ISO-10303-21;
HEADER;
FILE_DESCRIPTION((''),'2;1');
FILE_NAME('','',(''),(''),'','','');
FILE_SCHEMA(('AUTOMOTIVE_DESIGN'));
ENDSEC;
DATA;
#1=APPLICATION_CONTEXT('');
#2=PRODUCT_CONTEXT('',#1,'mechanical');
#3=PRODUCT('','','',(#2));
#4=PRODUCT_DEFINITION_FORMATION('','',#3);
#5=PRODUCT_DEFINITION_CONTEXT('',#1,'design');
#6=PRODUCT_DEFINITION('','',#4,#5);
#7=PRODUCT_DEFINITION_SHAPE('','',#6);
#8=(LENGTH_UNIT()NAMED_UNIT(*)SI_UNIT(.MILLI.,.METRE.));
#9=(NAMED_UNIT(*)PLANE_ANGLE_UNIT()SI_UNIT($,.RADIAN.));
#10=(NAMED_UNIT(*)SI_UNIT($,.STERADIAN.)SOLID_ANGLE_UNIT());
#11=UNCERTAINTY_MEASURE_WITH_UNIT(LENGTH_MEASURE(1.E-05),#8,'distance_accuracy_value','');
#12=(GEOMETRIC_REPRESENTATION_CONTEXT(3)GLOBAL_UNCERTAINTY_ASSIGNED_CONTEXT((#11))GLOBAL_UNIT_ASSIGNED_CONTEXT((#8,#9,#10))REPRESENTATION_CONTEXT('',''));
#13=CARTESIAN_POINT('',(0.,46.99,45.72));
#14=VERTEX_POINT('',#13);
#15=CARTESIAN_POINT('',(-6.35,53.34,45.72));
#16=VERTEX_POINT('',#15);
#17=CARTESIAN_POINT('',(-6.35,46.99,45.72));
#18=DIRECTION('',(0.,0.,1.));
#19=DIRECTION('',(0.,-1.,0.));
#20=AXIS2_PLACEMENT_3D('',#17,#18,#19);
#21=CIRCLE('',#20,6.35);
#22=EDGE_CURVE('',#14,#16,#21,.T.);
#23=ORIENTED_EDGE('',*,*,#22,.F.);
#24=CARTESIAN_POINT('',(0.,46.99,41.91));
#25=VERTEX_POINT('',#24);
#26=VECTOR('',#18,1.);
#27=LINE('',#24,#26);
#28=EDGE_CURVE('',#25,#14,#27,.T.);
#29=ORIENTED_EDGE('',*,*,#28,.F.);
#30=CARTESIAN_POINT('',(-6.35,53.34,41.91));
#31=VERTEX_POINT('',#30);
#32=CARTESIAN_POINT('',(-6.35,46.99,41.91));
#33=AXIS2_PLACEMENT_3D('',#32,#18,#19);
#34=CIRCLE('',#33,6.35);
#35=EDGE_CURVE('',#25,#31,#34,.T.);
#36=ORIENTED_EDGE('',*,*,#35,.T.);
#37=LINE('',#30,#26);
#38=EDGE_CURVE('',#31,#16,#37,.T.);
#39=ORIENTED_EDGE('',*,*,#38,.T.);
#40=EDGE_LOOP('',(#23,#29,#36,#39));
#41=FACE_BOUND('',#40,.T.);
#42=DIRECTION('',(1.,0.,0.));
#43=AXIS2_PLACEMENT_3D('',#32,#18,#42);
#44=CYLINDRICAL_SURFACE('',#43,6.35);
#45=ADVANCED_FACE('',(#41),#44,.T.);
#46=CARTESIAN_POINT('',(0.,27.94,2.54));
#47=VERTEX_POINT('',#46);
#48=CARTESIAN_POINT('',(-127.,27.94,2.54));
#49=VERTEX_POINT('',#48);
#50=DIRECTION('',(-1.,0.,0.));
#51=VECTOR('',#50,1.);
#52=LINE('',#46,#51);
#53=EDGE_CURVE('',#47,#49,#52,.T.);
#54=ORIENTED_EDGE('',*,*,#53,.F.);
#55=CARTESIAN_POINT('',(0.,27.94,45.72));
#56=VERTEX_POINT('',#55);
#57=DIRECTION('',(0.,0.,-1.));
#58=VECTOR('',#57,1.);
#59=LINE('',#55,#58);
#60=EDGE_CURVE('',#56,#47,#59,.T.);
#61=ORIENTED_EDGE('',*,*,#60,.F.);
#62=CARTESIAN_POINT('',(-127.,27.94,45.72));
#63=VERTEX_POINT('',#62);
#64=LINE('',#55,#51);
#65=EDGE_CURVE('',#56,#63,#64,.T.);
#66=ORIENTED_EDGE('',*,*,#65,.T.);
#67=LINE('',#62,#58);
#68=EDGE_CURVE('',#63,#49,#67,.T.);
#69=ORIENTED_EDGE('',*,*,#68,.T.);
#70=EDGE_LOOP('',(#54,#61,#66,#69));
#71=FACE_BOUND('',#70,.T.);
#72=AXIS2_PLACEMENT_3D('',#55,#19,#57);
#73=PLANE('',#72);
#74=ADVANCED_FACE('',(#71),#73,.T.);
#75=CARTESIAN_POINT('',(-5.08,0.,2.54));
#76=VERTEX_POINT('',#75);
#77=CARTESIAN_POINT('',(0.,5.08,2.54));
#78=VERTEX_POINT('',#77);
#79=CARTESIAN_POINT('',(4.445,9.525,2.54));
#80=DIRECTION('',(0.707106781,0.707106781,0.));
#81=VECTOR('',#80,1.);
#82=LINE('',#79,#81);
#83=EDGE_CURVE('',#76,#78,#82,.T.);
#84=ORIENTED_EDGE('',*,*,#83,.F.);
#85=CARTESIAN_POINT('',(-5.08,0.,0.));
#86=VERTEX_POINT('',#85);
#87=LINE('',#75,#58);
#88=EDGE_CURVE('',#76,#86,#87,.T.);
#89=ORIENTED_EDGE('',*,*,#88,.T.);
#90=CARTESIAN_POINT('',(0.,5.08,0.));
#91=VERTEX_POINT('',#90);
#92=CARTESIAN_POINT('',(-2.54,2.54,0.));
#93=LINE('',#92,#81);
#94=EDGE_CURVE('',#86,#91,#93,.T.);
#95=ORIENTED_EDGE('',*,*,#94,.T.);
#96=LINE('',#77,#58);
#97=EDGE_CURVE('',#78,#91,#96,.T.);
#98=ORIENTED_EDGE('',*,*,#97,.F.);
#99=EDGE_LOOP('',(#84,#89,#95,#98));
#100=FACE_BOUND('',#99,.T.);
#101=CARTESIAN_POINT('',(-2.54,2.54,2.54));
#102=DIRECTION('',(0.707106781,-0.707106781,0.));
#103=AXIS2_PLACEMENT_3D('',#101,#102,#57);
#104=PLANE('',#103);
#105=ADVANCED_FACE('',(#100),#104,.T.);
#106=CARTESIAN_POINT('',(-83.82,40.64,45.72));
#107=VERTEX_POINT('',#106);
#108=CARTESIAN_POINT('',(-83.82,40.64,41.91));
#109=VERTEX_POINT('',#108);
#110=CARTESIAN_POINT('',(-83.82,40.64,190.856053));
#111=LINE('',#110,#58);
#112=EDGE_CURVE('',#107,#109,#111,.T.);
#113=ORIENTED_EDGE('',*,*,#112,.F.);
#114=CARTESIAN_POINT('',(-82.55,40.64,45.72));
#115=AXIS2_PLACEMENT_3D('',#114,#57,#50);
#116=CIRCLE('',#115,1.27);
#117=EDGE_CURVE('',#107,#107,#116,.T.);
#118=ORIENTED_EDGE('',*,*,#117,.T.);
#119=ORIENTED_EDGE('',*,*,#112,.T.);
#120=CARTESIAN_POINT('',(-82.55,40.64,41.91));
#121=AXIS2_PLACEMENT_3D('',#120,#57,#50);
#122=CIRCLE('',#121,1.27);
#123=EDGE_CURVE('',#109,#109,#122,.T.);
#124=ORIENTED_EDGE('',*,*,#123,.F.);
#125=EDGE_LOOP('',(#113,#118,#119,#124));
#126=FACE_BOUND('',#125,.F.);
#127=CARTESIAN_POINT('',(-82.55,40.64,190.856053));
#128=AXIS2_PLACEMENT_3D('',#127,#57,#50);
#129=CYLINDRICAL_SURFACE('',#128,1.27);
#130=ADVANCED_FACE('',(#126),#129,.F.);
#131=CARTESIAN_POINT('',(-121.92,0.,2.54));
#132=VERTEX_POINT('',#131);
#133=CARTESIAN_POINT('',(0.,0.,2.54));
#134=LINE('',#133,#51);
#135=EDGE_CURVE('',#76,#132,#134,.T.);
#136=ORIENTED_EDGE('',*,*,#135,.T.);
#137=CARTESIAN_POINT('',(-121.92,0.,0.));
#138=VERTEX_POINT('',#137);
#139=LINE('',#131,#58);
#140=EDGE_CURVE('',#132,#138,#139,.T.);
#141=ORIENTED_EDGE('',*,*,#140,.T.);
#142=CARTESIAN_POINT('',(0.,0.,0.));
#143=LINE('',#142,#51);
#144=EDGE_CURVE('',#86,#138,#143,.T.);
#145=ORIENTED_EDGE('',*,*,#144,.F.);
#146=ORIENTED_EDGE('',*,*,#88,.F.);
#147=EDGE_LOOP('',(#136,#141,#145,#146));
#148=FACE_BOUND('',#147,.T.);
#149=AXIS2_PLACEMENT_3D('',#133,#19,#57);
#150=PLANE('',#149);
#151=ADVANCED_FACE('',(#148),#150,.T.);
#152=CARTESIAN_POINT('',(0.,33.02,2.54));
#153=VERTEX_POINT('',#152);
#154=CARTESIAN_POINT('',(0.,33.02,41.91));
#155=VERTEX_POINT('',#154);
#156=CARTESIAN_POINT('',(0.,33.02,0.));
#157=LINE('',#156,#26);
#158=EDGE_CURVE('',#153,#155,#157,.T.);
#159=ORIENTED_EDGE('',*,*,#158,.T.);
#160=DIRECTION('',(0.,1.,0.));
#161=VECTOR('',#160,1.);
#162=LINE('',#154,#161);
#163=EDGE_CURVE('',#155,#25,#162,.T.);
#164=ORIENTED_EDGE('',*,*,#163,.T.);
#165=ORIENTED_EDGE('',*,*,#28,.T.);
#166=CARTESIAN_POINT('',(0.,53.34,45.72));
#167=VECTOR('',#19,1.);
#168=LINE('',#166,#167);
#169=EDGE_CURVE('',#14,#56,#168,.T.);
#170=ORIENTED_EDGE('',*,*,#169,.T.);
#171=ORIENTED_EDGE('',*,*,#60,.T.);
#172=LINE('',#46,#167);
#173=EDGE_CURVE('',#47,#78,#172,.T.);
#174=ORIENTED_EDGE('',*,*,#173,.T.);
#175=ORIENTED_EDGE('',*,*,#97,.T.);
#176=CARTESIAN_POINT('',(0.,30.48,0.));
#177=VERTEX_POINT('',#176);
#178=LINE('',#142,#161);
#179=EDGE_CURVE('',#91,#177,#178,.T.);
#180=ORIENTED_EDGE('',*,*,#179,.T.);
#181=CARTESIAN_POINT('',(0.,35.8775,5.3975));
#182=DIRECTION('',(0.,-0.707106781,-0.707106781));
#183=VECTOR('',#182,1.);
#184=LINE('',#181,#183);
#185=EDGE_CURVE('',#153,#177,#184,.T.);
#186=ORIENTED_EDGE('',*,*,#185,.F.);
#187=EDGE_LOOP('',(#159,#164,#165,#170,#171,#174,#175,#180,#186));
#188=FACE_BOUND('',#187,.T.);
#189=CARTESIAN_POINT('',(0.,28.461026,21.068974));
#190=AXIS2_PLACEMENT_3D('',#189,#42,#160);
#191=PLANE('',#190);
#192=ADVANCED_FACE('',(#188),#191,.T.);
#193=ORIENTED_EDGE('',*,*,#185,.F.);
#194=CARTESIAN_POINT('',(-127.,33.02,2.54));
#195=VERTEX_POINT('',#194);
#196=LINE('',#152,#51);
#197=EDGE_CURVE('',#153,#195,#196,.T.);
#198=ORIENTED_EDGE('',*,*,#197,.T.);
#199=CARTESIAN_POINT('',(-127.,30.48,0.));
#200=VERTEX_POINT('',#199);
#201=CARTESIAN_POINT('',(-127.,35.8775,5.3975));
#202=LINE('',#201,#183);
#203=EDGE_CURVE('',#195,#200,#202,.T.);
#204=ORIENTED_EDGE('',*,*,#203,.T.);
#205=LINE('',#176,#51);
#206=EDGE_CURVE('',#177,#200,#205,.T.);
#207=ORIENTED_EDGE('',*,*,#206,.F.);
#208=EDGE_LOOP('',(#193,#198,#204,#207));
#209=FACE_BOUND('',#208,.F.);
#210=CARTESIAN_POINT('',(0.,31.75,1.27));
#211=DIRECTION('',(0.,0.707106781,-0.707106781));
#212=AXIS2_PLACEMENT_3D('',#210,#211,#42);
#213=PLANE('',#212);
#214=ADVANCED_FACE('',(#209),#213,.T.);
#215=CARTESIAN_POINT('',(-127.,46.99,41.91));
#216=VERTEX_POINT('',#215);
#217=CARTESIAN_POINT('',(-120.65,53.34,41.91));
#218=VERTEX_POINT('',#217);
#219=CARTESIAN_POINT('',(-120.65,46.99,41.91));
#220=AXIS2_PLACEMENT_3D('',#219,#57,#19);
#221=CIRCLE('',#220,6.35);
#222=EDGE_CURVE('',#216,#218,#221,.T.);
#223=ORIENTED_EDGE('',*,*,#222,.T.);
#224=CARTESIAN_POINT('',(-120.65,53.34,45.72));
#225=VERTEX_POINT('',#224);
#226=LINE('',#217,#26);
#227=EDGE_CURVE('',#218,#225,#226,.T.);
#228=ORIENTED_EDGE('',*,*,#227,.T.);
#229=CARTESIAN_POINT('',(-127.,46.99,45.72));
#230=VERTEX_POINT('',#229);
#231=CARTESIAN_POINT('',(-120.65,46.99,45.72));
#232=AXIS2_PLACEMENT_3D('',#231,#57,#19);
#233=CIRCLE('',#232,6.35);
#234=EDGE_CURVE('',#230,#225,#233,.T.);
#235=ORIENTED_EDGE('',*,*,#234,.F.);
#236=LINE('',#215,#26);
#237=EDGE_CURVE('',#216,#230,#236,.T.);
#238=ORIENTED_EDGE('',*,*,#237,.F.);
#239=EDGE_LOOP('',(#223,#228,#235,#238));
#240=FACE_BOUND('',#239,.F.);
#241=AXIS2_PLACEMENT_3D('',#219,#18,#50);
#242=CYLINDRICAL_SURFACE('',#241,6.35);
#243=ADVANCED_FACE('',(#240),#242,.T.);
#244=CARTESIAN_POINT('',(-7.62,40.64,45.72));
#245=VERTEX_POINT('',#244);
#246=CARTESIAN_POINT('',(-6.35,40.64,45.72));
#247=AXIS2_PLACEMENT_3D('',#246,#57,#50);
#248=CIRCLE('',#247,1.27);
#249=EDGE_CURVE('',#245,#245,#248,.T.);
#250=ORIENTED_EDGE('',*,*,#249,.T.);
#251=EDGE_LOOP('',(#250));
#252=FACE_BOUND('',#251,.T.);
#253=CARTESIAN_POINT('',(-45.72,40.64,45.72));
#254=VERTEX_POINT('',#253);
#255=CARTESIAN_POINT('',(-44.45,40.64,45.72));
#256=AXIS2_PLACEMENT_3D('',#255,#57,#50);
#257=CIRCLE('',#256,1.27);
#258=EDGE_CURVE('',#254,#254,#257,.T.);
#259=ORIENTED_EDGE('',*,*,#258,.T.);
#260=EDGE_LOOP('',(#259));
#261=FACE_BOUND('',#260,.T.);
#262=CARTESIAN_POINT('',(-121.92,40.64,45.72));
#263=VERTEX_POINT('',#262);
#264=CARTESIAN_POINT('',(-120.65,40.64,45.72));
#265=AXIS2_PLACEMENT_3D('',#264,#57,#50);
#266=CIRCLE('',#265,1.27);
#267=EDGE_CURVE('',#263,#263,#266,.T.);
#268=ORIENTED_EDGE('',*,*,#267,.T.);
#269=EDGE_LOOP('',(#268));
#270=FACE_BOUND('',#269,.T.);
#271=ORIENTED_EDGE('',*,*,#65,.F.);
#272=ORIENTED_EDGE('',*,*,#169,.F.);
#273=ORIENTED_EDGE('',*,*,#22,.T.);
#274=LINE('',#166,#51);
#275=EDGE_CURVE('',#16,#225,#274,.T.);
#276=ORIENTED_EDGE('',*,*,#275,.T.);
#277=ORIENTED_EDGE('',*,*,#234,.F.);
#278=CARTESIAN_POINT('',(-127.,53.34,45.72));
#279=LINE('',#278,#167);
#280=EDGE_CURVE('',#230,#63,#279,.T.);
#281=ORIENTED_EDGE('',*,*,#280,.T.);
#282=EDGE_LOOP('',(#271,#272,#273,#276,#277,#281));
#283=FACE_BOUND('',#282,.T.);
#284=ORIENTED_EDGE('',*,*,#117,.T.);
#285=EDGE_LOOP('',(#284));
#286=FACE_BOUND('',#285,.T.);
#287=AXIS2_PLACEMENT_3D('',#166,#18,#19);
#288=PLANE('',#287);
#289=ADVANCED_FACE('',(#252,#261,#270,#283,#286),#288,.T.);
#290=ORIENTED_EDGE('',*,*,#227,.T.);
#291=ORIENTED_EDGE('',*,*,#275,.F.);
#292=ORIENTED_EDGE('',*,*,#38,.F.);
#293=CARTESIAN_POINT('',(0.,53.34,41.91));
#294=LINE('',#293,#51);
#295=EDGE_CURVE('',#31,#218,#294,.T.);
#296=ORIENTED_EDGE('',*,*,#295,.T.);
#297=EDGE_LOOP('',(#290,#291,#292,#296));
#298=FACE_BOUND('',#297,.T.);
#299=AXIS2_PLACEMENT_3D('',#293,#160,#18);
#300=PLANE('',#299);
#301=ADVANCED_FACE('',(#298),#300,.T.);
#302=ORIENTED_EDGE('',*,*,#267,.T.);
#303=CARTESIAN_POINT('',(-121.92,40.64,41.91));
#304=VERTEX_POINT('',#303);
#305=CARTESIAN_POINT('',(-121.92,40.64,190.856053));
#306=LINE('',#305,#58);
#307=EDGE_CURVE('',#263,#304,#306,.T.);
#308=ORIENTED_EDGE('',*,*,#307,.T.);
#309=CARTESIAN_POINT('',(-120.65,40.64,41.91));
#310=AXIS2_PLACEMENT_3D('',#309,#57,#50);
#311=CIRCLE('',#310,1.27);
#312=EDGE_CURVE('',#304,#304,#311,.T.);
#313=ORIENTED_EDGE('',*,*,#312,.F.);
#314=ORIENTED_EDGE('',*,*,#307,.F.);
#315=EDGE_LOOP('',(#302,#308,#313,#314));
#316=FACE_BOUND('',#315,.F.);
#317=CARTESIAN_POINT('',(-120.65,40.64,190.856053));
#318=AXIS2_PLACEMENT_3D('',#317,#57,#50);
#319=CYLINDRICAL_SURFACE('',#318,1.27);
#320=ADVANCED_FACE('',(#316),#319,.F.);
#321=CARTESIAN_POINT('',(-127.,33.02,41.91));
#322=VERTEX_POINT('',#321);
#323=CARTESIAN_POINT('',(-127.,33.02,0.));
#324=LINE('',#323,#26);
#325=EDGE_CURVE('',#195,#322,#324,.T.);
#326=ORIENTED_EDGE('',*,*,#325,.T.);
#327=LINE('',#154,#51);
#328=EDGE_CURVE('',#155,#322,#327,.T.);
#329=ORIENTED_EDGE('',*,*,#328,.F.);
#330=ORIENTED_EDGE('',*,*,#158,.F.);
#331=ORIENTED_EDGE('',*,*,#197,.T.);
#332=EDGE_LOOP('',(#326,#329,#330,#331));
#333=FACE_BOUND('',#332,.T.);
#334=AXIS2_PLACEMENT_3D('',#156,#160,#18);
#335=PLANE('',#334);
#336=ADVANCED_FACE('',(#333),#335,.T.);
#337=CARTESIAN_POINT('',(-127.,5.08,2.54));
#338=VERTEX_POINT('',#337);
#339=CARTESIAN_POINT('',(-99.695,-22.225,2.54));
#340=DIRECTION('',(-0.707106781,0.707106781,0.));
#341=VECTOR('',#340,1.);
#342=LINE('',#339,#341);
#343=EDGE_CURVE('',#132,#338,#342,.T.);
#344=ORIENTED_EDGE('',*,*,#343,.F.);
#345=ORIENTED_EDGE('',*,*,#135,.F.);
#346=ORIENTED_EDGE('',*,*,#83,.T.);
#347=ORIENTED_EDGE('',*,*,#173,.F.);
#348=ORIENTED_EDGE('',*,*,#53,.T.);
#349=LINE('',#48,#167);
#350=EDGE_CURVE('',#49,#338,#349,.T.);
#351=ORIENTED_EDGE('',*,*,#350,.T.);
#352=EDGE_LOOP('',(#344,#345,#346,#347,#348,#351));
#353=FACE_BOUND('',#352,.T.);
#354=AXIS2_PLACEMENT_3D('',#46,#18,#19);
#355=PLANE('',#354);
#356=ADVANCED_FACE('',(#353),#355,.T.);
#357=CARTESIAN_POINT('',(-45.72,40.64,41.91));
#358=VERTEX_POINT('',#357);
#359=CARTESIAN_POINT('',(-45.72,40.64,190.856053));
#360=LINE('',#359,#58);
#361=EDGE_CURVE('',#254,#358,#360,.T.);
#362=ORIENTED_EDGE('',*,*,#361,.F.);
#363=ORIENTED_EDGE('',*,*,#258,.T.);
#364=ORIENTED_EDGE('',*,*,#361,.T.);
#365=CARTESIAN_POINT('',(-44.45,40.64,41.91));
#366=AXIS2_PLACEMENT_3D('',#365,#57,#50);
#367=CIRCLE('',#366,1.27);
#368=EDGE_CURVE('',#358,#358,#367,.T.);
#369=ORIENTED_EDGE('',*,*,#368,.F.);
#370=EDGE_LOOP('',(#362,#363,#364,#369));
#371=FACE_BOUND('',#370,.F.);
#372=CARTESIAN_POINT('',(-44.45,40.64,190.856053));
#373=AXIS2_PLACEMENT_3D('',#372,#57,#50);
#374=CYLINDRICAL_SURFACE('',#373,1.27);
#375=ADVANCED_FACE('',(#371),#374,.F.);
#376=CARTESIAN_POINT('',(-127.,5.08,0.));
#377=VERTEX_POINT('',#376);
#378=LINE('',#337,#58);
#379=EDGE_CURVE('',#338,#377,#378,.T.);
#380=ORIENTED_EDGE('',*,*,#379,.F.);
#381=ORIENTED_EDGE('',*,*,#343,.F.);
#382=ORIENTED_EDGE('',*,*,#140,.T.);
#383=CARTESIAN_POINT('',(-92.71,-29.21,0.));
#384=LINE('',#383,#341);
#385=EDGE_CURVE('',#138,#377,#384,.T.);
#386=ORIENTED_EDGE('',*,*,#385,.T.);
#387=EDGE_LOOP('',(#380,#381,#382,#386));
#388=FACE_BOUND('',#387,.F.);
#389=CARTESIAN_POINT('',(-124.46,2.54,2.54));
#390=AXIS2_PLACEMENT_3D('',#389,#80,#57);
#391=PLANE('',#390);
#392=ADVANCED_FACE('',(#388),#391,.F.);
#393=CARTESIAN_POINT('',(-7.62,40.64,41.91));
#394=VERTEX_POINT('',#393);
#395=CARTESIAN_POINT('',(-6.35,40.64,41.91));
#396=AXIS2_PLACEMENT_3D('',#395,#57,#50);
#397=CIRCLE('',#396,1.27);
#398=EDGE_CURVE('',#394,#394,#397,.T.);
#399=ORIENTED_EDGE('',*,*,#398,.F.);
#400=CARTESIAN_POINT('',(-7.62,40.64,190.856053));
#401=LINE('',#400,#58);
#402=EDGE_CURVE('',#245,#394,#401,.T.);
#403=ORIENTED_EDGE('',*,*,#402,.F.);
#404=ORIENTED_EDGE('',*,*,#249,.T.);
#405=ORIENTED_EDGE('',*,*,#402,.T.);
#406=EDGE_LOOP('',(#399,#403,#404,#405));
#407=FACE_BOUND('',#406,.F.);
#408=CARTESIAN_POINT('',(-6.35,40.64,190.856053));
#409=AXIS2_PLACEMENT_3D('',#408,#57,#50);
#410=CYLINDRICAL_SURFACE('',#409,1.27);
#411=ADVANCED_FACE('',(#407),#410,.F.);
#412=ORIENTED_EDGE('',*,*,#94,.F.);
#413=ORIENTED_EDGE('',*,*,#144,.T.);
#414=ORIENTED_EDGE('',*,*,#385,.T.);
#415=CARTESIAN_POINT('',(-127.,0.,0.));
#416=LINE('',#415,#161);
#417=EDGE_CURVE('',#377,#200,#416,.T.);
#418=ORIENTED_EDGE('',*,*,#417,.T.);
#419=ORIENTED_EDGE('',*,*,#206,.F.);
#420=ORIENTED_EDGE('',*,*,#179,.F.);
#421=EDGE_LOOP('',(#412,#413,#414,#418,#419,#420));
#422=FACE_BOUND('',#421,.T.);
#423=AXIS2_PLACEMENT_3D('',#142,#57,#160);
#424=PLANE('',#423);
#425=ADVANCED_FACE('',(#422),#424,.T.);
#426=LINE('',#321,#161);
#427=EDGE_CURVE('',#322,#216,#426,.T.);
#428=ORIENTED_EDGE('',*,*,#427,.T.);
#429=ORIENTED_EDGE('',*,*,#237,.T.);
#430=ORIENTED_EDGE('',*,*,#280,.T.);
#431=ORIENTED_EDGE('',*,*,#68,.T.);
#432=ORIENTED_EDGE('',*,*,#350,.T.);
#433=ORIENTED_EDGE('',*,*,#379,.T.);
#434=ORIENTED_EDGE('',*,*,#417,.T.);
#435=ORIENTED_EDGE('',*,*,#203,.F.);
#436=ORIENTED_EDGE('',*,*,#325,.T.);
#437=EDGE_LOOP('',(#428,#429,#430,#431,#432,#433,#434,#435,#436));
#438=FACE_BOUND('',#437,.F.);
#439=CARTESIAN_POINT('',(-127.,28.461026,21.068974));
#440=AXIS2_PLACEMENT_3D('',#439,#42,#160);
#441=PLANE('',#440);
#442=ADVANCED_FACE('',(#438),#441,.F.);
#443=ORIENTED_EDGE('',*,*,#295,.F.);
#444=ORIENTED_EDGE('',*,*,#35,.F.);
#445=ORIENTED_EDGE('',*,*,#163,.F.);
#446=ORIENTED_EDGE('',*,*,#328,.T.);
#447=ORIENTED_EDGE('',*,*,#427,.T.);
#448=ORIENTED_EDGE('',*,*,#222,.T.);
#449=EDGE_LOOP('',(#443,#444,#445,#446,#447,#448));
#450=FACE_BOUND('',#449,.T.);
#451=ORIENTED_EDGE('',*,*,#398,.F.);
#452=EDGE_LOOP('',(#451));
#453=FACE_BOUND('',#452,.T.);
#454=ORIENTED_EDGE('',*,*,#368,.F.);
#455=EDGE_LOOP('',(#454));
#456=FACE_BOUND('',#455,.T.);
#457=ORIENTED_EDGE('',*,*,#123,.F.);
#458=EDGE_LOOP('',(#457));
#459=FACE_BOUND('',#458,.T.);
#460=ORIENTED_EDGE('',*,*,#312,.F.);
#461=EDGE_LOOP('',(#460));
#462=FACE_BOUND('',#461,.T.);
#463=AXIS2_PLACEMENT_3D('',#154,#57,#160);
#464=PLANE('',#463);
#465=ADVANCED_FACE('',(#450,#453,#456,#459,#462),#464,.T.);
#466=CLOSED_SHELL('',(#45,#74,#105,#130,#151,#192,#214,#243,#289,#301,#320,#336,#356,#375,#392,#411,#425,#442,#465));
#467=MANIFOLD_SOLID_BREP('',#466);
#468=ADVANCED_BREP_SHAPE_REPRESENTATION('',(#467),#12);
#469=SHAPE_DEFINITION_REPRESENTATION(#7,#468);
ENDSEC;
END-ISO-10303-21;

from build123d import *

# Parameters (mm, degrees)
F1_DEPTH = 127
F2_SIZE  = 5.08
F4_D     = 2.54
F5_R     = 6.35
F6_SIZE  = 2.54


with BuildPart() as f1:
    # F0 (on Right) → F1 (new body)
    with BuildSketch(Plane.YZ):
        Polygon((0, 2.54), (0, 0), (33.02, 0), (33.02, 41.91), (53.34, 41.91), (53.34, 45.72), (27.94, 45.72), (27.94, 2.54), align=None)
    extrude(amount=-F1_DEPTH)

    # F2
    f2_edges = [f1.edges().sort_by_distance(p)[0] for p in [
        (0, 0, 1.27),
        (-127, 0, 1.27),
    ]]
    chamfer(f2_edges, length=F2_SIZE)

    # F4 (through all)
    with Locations(Plane.XY.offset(45.72)):
        with Locations((-120.65, 40.64), (-82.55, 40.64), (-44.45, 40.64), (-6.35, 40.64)):
            Hole(F4_D / 2)

    # F5
    f5_edges = [f1.edges().sort_by_distance(p)[0] for p in [
        (0, 53.34, 43.815),
        (-127, 53.34, 43.815),
    ]]
    fillet(f5_edges, radius=F5_R)

    # F6
    f6_edges = [f1.edges().sort_by_distance(p)[0] for p in [
        (-63.5, 33.02, 0),
    ]]
    chamfer(f6_edges, length=F6_SIZE)


solid = f1.part
